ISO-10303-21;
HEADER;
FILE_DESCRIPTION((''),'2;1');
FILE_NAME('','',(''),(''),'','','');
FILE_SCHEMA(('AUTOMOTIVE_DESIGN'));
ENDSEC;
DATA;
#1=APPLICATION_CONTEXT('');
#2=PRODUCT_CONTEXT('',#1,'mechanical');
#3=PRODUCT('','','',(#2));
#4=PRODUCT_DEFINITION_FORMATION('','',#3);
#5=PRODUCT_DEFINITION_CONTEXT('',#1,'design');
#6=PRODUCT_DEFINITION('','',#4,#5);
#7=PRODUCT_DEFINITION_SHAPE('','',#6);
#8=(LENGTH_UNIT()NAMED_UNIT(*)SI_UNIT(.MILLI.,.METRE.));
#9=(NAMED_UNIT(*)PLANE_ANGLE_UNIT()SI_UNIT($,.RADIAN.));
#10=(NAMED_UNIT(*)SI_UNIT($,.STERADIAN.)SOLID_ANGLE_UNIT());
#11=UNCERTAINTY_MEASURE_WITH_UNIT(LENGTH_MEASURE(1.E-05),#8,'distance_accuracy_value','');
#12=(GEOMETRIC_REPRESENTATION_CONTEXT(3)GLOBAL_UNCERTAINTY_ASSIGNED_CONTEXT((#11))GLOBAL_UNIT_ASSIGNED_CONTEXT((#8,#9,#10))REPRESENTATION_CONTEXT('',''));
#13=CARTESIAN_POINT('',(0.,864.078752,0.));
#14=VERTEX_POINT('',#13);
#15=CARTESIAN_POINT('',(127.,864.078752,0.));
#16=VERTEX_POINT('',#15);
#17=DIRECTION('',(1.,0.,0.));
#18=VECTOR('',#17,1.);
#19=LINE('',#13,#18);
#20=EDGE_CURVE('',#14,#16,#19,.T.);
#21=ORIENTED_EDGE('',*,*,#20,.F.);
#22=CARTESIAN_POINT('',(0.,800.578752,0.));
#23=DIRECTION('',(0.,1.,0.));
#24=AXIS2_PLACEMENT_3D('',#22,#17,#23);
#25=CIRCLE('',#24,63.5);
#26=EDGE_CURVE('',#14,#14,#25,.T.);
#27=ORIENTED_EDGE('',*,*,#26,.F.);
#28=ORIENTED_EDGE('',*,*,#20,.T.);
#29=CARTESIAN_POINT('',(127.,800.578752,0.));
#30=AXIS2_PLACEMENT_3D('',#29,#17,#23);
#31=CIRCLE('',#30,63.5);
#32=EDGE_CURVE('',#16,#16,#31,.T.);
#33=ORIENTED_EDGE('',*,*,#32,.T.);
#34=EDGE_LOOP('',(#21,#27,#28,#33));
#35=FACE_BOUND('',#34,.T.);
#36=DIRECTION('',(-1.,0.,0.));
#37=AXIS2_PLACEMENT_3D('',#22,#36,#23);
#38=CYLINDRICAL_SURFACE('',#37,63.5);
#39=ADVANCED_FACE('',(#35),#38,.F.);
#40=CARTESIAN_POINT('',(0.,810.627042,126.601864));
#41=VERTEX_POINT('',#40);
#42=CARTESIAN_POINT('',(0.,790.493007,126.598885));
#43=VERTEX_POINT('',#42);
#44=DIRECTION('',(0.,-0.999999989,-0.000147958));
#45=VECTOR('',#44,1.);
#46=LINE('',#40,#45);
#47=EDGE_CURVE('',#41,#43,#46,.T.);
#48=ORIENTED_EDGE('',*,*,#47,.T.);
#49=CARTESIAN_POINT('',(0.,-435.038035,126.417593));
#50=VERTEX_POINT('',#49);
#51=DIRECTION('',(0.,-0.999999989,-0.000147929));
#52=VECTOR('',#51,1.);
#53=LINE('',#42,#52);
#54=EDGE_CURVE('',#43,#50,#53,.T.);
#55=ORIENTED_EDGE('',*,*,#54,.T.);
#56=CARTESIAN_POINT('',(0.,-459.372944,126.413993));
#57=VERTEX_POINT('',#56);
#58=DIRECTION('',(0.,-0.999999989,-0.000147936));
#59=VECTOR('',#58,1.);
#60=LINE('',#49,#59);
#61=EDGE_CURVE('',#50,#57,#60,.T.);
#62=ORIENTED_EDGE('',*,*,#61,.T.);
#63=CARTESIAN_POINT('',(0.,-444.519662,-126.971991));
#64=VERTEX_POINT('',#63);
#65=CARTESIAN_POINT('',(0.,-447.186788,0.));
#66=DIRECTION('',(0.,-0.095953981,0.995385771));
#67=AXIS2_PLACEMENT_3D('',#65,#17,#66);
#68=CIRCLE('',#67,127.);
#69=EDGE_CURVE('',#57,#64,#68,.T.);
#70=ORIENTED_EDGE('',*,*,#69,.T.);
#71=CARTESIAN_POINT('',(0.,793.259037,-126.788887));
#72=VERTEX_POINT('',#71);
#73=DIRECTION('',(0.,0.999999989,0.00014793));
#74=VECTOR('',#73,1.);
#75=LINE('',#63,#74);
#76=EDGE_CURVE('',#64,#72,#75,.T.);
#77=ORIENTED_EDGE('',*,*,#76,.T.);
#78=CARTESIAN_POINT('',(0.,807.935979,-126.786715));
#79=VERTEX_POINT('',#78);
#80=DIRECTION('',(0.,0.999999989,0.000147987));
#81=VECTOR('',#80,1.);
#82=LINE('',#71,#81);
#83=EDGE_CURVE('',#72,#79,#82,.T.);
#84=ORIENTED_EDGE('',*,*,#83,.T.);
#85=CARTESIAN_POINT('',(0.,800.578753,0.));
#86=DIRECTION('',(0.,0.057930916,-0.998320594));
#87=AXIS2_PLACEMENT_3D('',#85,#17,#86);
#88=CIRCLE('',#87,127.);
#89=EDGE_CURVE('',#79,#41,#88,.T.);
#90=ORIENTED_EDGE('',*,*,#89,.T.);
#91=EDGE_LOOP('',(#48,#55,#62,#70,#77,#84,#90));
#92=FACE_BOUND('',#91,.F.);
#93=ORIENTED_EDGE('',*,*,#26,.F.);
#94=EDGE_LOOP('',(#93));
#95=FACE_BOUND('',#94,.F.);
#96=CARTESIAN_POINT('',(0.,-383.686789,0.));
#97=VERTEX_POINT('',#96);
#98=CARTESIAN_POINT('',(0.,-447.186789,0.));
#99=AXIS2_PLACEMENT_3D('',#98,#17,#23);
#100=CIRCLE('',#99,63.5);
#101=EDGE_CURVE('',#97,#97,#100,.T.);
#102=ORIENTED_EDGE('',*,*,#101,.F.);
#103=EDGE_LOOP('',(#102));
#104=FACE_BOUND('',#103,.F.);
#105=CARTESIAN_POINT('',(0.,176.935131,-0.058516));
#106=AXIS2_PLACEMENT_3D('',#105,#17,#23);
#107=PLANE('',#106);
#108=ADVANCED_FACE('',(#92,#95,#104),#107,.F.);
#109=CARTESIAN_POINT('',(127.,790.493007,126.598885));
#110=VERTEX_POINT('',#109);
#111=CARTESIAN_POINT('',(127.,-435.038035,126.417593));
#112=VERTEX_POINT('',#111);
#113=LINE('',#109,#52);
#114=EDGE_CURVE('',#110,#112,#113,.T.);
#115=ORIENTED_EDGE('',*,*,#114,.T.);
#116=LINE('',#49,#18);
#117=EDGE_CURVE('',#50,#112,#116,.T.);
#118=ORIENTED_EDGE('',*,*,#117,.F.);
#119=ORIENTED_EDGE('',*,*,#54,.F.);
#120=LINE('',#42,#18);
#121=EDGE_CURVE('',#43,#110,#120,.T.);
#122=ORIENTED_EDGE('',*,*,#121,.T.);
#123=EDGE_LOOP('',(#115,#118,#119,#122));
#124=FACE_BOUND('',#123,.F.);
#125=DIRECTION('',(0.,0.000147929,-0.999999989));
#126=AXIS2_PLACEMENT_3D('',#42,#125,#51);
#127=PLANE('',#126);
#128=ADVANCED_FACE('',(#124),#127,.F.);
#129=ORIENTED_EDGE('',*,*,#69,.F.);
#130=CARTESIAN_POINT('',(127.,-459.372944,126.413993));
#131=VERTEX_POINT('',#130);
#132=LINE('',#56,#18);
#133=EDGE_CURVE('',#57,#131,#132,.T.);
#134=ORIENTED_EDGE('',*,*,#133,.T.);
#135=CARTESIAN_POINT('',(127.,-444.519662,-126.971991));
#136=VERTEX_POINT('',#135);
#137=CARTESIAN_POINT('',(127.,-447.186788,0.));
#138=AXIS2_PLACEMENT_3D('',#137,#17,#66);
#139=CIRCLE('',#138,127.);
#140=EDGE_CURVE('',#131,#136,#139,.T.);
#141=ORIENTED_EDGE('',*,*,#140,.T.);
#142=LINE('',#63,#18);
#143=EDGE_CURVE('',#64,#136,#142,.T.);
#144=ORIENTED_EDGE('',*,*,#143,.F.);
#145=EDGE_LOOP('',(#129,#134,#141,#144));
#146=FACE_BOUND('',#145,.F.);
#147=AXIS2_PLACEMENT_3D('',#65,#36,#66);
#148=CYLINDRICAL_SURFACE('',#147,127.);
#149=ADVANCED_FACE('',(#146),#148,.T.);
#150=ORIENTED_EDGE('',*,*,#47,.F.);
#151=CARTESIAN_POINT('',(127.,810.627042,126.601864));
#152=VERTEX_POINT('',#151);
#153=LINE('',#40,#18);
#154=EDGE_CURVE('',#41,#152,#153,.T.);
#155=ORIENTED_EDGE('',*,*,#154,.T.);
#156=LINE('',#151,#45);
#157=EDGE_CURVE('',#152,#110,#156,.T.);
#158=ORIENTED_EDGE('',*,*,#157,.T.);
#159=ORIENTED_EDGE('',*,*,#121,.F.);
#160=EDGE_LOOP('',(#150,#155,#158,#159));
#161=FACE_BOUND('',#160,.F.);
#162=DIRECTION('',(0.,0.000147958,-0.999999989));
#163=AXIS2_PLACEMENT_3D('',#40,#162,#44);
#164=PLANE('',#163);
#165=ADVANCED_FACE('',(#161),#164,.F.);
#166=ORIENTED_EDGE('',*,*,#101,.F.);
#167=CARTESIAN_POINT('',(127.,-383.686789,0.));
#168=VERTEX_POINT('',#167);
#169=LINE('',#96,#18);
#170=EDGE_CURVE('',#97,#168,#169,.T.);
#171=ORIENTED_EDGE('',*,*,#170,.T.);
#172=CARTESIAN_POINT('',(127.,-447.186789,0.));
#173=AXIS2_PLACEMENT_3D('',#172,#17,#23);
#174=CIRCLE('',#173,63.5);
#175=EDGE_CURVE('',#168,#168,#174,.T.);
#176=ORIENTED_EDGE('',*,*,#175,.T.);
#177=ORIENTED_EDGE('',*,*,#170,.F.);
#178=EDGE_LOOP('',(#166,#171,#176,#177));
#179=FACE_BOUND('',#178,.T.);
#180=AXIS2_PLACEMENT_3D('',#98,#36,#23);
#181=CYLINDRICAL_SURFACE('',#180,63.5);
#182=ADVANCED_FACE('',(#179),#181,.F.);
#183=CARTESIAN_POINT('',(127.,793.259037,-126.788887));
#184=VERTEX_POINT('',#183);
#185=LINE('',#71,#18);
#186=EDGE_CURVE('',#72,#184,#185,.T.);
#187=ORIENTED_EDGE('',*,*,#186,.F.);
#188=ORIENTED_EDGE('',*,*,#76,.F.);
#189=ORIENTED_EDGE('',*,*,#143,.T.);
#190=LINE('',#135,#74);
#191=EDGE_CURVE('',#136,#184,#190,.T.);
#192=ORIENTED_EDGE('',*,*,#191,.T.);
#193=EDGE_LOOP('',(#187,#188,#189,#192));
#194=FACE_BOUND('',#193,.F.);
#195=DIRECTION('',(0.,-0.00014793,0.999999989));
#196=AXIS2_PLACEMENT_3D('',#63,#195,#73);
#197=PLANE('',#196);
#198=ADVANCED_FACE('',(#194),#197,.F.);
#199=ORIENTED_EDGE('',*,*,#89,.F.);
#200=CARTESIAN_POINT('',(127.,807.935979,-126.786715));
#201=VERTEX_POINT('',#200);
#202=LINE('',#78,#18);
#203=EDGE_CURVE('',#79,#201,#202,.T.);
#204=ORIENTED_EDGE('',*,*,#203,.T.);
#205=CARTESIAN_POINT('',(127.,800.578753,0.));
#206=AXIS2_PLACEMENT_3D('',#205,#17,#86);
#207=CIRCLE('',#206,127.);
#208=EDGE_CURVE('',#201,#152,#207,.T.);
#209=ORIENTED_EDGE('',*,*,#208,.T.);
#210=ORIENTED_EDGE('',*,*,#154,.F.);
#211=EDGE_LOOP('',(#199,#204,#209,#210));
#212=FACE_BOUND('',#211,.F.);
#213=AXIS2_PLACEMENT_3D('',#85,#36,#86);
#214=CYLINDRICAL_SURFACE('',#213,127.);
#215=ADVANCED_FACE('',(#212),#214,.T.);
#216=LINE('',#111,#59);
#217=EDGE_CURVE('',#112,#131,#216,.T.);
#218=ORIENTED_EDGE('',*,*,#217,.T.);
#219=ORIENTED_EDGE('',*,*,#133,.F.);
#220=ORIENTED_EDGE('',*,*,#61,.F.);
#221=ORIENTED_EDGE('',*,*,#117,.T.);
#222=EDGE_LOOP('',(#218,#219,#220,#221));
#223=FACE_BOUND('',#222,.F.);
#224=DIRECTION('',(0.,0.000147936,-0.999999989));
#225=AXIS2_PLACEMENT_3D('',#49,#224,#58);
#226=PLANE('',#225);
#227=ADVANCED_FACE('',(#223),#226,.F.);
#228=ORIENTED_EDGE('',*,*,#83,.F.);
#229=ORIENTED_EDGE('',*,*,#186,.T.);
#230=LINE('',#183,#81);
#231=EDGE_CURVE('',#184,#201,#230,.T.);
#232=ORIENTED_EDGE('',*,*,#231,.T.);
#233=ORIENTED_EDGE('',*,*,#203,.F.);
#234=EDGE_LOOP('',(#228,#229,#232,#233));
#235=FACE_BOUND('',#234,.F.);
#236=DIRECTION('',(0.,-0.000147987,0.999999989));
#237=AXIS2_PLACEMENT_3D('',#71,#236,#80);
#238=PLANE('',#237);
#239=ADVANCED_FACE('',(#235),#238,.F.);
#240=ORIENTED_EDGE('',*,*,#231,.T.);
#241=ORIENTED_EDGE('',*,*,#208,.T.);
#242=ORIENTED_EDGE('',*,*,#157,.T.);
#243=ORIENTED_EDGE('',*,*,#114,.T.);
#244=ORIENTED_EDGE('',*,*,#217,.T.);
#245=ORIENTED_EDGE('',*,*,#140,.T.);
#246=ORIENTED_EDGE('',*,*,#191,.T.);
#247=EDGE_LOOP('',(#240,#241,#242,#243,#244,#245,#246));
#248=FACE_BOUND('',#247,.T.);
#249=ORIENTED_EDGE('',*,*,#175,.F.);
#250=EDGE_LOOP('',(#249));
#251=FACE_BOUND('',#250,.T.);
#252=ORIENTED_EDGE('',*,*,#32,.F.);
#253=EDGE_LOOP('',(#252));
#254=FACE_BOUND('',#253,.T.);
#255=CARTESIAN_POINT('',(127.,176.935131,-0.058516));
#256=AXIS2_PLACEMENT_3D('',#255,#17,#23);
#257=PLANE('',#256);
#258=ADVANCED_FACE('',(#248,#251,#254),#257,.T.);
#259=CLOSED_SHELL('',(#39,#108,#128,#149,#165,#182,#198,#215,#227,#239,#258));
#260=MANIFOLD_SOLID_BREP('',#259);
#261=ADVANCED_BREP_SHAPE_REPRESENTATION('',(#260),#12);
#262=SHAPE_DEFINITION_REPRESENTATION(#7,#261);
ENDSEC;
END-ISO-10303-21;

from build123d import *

# Parameters (mm, degrees)
F0_R     = 63.5
F1_DEPTH = 127


with BuildPart() as f1:
    # F0 (on Right) → F1 (new body)
    with BuildSketch(Plane.YZ):
        with BuildLine():
            Line((790.493007, 126.598885), (-435.038035, 126.417593))
            Line((-435.038035, 126.417593), (-459.372944, 126.413993))
            ThreePointArc((-459.372944, 126.413993), (-573.96915, -7.43188), (-444.519662, -126.971991))
            Line((-444.519662, -126.971991), (793.259037, -126.788887))
            Line((793.259037, -126.788887), (807.935979, -126.786715))
            ThreePointArc((807.935979, -126.786715), (927.571591, -1.348702), (810.627042, 126.601864))
            Line((810.627042, 126.601864), (790.493007, 126.598885))
        make_face()
        with Locations((-447.186789, 0)):
            Circle(F0_R, mode=Mode.SUBTRACT)
        with Locations((800.578752, 0)):
            Circle(F0_R, mode=Mode.SUBTRACT)
    extrude(amount=F1_DEPTH)


solid = f1.part
